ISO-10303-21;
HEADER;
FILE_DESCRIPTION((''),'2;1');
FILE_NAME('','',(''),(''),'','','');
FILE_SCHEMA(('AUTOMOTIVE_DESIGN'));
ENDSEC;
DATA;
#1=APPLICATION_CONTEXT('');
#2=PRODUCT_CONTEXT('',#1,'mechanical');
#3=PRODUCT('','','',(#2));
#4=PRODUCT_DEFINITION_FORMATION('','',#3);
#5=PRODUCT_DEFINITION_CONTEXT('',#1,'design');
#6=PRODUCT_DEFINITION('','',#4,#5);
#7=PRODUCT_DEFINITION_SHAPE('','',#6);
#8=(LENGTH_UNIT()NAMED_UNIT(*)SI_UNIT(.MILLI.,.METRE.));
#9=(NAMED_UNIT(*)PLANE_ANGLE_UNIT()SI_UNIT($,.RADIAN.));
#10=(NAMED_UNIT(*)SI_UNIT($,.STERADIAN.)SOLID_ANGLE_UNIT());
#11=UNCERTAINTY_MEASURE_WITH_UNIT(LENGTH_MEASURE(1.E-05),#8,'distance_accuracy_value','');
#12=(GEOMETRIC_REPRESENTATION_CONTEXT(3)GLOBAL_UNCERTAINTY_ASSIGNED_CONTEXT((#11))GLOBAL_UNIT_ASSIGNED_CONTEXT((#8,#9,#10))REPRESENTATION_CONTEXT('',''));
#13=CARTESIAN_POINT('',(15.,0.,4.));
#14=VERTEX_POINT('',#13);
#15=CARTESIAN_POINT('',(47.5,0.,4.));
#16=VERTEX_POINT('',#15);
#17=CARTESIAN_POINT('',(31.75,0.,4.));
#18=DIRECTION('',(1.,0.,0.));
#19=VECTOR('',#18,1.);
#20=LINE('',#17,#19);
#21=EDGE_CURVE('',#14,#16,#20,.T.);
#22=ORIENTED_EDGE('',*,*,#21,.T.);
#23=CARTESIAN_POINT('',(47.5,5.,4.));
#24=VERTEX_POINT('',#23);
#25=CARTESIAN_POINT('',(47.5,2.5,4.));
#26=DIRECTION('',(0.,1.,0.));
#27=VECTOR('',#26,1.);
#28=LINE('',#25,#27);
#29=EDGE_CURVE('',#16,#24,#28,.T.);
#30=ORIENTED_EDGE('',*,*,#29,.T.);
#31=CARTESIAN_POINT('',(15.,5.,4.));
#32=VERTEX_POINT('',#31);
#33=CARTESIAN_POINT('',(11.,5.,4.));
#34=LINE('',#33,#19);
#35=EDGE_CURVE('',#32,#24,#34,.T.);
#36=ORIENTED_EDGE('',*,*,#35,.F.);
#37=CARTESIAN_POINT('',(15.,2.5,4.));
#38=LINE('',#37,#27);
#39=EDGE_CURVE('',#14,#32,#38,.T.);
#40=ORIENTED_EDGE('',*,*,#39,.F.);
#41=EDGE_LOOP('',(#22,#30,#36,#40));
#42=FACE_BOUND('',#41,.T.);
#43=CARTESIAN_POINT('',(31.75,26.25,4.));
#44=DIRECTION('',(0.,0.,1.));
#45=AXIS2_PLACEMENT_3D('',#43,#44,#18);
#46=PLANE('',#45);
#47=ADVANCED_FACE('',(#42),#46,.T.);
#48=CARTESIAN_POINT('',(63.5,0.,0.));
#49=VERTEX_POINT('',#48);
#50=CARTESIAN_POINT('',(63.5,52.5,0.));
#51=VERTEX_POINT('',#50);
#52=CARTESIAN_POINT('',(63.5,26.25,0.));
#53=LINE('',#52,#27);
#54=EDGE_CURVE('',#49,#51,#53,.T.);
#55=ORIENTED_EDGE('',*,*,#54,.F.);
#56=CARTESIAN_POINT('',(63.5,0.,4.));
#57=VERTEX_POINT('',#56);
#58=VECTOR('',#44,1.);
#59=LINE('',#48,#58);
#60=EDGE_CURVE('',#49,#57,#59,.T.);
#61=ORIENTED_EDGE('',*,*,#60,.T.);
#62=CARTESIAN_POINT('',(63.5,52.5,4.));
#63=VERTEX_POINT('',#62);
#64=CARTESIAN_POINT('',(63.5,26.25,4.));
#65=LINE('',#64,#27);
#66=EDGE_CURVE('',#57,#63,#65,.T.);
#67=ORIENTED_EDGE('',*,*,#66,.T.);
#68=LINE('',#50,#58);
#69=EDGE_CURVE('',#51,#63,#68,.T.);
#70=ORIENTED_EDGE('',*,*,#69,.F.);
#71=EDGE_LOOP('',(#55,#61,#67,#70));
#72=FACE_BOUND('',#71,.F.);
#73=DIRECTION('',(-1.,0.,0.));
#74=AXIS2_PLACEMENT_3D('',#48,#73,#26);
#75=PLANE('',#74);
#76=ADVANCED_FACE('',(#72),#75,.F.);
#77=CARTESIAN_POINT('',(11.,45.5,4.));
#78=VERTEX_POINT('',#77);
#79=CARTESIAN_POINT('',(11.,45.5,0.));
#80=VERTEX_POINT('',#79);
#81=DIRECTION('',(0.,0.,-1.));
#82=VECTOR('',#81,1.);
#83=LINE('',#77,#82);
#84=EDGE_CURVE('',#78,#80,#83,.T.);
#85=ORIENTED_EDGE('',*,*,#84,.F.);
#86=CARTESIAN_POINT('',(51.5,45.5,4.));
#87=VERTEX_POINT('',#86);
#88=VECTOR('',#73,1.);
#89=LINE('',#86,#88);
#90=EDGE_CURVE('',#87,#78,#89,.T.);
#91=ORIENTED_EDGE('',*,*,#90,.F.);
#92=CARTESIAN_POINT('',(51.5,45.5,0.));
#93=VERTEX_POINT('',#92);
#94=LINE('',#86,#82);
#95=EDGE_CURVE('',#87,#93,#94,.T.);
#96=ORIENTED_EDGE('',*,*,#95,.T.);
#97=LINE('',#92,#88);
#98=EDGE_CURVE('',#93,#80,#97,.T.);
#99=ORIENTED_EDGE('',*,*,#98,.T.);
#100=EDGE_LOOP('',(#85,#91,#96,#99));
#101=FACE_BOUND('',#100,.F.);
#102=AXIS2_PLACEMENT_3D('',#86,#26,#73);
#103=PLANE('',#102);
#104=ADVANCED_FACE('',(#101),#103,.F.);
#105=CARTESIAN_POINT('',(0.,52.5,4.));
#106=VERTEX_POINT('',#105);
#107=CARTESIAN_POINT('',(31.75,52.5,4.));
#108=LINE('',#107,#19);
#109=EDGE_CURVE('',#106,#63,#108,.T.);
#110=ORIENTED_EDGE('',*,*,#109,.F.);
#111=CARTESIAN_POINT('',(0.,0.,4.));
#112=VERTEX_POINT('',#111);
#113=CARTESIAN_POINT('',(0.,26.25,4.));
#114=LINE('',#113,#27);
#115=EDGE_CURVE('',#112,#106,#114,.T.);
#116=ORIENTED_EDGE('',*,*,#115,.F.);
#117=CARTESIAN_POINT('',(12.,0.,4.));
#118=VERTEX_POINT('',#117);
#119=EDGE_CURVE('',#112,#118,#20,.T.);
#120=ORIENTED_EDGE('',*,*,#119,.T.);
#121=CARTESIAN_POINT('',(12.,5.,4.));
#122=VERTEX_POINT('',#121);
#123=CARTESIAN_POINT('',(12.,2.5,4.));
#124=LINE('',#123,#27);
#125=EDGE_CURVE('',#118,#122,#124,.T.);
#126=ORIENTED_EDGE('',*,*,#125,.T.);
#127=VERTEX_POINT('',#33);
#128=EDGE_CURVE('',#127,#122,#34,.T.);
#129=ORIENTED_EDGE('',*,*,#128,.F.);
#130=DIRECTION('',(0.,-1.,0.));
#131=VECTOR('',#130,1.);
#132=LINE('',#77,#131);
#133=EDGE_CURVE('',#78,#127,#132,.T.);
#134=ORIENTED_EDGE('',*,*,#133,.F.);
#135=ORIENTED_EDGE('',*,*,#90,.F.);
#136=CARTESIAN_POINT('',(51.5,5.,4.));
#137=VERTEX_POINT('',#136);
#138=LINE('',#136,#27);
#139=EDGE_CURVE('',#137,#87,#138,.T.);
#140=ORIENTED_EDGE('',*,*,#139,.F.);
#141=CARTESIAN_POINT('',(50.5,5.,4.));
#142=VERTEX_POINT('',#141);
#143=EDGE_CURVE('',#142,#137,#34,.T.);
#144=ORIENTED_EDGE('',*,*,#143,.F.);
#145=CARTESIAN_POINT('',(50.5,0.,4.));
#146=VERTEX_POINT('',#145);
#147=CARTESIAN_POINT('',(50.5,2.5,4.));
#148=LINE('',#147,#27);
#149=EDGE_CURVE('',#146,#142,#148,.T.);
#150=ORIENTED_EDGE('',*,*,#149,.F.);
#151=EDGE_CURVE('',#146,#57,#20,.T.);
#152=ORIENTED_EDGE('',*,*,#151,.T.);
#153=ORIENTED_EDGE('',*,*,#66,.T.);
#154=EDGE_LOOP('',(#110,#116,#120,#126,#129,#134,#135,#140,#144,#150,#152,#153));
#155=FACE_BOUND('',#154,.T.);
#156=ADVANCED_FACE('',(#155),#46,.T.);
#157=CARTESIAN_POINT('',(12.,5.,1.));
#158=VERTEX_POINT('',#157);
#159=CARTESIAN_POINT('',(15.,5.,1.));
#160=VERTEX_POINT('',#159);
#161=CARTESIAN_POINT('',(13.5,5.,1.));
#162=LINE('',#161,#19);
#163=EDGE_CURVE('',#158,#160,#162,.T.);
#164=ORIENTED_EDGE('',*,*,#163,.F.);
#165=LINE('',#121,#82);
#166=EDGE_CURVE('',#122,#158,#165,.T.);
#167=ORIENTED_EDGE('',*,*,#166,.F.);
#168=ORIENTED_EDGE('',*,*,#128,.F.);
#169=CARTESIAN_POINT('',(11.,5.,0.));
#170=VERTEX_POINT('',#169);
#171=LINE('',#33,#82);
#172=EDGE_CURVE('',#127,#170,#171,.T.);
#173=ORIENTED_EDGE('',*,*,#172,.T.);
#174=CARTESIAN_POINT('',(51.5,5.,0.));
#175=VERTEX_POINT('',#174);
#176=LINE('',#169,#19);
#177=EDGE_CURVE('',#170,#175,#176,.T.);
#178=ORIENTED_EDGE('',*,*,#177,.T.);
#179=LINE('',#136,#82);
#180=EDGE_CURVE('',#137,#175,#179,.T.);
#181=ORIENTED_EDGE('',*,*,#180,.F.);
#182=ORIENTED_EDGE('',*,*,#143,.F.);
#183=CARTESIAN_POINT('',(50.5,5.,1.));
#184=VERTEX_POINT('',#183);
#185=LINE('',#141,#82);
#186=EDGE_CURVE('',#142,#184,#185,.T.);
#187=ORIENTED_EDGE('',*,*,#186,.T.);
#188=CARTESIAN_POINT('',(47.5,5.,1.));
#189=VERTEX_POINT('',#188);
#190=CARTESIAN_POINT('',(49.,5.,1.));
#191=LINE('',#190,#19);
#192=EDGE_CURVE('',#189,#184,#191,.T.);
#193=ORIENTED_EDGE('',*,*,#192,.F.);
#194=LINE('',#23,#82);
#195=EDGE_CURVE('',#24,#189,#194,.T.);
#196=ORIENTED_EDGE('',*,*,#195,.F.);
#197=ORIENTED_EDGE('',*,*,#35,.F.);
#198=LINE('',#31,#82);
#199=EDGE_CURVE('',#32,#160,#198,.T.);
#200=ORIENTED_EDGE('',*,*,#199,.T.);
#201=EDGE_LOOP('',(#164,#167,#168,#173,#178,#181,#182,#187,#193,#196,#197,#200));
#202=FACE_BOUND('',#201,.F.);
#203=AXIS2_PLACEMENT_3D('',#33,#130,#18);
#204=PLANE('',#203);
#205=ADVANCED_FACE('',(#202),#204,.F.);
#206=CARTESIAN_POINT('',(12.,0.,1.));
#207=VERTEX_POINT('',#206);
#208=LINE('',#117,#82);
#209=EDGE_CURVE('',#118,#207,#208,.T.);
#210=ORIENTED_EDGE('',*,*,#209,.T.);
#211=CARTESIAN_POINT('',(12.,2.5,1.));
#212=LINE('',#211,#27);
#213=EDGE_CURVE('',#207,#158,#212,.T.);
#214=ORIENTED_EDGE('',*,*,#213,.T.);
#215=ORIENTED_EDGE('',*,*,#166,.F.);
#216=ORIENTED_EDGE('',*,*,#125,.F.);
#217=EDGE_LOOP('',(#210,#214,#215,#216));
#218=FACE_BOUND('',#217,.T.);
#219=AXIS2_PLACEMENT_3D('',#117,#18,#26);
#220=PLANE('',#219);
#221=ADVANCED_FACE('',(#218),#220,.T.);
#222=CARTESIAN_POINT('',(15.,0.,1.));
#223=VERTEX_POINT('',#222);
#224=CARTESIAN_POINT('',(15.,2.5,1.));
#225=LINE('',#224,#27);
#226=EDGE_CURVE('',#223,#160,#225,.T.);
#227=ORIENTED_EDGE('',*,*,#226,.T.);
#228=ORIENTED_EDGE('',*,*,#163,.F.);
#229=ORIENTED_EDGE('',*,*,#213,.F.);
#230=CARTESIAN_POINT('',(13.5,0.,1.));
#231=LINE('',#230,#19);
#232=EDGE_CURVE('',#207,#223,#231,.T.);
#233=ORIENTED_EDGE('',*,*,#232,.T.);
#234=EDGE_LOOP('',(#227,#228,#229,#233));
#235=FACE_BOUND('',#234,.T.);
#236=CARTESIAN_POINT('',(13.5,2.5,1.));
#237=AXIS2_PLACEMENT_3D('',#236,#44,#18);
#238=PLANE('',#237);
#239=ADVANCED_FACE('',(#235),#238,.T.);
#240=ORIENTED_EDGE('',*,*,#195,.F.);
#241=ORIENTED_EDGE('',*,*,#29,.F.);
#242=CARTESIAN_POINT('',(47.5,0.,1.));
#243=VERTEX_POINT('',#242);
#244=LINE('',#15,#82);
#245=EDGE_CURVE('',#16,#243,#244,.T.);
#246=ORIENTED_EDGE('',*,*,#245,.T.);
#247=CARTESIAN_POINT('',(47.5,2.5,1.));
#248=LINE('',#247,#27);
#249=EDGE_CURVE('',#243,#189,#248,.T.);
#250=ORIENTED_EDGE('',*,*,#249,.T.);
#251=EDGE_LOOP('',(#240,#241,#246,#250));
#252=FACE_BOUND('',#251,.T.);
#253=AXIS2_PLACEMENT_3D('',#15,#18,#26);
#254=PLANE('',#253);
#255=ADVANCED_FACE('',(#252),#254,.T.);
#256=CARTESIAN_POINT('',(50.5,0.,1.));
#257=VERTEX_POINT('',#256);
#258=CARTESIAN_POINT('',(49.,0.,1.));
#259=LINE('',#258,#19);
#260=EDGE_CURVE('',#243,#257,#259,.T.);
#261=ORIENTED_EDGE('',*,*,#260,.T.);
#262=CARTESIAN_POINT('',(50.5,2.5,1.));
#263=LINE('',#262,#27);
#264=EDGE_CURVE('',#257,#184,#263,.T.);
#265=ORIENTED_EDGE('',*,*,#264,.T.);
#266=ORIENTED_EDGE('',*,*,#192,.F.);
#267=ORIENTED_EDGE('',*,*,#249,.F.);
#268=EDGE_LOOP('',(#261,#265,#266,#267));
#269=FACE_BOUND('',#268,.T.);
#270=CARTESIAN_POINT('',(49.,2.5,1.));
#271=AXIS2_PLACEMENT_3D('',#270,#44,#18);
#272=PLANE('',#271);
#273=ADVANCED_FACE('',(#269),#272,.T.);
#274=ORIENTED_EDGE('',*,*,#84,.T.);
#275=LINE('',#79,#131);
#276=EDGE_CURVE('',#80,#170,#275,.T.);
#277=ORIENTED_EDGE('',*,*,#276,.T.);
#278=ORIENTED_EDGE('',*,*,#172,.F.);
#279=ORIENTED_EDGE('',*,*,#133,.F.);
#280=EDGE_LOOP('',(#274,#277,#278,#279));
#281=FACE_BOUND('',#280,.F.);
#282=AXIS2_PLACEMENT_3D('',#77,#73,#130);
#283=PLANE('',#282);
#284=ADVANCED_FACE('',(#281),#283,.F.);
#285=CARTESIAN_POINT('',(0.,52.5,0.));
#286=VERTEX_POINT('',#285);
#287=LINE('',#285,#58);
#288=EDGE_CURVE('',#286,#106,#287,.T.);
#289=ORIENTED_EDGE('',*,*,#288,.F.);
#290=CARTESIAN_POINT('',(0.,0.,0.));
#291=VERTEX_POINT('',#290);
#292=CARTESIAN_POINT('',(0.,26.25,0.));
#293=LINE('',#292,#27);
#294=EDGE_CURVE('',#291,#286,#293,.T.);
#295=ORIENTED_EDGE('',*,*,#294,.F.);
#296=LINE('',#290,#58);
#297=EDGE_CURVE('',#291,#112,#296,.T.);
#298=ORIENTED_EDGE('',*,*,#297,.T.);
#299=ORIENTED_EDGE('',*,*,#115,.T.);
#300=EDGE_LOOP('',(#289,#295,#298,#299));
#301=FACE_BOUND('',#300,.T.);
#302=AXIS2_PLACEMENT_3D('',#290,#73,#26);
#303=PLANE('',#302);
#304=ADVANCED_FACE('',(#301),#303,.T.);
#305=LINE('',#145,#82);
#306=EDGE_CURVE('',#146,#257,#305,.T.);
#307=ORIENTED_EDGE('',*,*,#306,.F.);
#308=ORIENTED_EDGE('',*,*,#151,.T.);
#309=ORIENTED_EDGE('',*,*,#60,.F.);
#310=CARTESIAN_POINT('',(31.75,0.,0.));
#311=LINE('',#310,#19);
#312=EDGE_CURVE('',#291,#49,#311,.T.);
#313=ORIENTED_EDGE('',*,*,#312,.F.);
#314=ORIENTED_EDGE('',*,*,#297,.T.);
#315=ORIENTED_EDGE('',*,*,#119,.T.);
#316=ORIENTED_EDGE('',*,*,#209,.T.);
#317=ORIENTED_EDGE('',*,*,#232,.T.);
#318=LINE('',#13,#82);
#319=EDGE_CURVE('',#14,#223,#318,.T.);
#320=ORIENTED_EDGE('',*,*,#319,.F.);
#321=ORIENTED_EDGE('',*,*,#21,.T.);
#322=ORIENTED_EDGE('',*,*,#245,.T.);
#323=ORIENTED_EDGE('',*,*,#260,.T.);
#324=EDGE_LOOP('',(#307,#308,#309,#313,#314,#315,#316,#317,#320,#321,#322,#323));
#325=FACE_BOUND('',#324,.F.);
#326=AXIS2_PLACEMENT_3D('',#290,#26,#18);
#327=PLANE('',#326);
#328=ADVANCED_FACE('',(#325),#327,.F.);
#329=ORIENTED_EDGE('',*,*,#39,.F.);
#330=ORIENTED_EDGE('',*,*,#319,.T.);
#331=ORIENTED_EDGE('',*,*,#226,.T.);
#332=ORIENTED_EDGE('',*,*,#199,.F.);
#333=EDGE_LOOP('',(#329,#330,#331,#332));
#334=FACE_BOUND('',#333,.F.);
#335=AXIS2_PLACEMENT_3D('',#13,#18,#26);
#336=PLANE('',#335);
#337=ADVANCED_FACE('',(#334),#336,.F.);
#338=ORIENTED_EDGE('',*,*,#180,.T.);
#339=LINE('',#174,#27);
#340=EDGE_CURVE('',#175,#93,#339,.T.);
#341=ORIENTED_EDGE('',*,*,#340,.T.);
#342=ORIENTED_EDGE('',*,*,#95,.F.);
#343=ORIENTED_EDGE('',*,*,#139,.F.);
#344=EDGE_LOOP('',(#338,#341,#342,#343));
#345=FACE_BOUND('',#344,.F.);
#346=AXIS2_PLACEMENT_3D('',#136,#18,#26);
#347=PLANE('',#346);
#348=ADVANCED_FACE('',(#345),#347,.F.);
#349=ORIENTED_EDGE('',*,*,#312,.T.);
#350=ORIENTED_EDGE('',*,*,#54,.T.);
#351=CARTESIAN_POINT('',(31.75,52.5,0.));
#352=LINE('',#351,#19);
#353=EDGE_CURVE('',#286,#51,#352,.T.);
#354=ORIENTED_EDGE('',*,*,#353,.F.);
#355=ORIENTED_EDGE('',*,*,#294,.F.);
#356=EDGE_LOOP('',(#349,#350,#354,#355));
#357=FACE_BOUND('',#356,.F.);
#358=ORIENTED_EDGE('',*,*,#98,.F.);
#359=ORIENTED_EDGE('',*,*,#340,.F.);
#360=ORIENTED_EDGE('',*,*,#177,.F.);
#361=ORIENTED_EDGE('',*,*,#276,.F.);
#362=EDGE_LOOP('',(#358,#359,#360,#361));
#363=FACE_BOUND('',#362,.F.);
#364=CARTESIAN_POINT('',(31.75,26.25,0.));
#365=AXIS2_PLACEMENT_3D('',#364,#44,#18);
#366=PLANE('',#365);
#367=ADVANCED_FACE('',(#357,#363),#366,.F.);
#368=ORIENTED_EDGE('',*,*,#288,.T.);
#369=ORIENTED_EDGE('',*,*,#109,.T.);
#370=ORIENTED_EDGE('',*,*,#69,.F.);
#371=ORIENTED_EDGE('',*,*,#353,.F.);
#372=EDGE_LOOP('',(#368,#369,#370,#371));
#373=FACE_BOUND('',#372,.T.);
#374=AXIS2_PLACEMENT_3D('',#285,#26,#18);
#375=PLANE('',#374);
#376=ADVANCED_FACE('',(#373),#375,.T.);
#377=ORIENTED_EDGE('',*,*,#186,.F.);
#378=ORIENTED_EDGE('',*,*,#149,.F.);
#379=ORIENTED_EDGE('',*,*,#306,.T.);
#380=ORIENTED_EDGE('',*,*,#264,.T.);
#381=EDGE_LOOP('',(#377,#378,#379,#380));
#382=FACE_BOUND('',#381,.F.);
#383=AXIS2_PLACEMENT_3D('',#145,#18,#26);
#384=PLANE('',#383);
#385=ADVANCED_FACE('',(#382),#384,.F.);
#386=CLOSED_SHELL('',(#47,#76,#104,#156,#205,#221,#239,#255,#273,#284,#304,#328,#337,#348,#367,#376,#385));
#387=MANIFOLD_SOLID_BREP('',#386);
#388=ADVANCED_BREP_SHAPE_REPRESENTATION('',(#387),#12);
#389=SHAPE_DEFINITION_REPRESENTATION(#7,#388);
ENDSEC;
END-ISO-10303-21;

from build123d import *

# Parameters (mm, degrees)
F0_W     = 63.5
F0_H     = 52.5
F1_DEPTH = 4
F2_W     = 3
F2_H     = 5
F3_DEPTH = 3
F4_DEPTH = 4


with BuildPart() as f1:
    # F0 (on Top) → F1 (new body)
    with BuildSketch(Plane.XY):
        with Locations((31.75, 26.25)):
            Rectangle(F0_W, F0_H)
    extrude(amount=F1_DEPTH)

    # F2 (on face) → F3 (cut)
    with BuildSketch(Plane.XY.offset(4)):
        with Locations((13.5, 2.5)):
            Rectangle(F2_W, F2_H)
        with Locations((49, 2.5)):
            Rectangle(F2_W, F2_H)
    extrude(amount=-F3_DEPTH, mode=Mode.SUBTRACT)

    # F2 (on face) → F4 (cut)
    with BuildSketch(Plane.XY.offset(4)):
        Polygon((11, 45.5), (11, 5), (12, 5), (15, 5), (47.5, 5), (50.5, 5), (51.5, 5), (51.5, 45.5), align=None)
    extrude(amount=-F4_DEPTH, mode=Mode.SUBTRACT)


solid = f1.part
